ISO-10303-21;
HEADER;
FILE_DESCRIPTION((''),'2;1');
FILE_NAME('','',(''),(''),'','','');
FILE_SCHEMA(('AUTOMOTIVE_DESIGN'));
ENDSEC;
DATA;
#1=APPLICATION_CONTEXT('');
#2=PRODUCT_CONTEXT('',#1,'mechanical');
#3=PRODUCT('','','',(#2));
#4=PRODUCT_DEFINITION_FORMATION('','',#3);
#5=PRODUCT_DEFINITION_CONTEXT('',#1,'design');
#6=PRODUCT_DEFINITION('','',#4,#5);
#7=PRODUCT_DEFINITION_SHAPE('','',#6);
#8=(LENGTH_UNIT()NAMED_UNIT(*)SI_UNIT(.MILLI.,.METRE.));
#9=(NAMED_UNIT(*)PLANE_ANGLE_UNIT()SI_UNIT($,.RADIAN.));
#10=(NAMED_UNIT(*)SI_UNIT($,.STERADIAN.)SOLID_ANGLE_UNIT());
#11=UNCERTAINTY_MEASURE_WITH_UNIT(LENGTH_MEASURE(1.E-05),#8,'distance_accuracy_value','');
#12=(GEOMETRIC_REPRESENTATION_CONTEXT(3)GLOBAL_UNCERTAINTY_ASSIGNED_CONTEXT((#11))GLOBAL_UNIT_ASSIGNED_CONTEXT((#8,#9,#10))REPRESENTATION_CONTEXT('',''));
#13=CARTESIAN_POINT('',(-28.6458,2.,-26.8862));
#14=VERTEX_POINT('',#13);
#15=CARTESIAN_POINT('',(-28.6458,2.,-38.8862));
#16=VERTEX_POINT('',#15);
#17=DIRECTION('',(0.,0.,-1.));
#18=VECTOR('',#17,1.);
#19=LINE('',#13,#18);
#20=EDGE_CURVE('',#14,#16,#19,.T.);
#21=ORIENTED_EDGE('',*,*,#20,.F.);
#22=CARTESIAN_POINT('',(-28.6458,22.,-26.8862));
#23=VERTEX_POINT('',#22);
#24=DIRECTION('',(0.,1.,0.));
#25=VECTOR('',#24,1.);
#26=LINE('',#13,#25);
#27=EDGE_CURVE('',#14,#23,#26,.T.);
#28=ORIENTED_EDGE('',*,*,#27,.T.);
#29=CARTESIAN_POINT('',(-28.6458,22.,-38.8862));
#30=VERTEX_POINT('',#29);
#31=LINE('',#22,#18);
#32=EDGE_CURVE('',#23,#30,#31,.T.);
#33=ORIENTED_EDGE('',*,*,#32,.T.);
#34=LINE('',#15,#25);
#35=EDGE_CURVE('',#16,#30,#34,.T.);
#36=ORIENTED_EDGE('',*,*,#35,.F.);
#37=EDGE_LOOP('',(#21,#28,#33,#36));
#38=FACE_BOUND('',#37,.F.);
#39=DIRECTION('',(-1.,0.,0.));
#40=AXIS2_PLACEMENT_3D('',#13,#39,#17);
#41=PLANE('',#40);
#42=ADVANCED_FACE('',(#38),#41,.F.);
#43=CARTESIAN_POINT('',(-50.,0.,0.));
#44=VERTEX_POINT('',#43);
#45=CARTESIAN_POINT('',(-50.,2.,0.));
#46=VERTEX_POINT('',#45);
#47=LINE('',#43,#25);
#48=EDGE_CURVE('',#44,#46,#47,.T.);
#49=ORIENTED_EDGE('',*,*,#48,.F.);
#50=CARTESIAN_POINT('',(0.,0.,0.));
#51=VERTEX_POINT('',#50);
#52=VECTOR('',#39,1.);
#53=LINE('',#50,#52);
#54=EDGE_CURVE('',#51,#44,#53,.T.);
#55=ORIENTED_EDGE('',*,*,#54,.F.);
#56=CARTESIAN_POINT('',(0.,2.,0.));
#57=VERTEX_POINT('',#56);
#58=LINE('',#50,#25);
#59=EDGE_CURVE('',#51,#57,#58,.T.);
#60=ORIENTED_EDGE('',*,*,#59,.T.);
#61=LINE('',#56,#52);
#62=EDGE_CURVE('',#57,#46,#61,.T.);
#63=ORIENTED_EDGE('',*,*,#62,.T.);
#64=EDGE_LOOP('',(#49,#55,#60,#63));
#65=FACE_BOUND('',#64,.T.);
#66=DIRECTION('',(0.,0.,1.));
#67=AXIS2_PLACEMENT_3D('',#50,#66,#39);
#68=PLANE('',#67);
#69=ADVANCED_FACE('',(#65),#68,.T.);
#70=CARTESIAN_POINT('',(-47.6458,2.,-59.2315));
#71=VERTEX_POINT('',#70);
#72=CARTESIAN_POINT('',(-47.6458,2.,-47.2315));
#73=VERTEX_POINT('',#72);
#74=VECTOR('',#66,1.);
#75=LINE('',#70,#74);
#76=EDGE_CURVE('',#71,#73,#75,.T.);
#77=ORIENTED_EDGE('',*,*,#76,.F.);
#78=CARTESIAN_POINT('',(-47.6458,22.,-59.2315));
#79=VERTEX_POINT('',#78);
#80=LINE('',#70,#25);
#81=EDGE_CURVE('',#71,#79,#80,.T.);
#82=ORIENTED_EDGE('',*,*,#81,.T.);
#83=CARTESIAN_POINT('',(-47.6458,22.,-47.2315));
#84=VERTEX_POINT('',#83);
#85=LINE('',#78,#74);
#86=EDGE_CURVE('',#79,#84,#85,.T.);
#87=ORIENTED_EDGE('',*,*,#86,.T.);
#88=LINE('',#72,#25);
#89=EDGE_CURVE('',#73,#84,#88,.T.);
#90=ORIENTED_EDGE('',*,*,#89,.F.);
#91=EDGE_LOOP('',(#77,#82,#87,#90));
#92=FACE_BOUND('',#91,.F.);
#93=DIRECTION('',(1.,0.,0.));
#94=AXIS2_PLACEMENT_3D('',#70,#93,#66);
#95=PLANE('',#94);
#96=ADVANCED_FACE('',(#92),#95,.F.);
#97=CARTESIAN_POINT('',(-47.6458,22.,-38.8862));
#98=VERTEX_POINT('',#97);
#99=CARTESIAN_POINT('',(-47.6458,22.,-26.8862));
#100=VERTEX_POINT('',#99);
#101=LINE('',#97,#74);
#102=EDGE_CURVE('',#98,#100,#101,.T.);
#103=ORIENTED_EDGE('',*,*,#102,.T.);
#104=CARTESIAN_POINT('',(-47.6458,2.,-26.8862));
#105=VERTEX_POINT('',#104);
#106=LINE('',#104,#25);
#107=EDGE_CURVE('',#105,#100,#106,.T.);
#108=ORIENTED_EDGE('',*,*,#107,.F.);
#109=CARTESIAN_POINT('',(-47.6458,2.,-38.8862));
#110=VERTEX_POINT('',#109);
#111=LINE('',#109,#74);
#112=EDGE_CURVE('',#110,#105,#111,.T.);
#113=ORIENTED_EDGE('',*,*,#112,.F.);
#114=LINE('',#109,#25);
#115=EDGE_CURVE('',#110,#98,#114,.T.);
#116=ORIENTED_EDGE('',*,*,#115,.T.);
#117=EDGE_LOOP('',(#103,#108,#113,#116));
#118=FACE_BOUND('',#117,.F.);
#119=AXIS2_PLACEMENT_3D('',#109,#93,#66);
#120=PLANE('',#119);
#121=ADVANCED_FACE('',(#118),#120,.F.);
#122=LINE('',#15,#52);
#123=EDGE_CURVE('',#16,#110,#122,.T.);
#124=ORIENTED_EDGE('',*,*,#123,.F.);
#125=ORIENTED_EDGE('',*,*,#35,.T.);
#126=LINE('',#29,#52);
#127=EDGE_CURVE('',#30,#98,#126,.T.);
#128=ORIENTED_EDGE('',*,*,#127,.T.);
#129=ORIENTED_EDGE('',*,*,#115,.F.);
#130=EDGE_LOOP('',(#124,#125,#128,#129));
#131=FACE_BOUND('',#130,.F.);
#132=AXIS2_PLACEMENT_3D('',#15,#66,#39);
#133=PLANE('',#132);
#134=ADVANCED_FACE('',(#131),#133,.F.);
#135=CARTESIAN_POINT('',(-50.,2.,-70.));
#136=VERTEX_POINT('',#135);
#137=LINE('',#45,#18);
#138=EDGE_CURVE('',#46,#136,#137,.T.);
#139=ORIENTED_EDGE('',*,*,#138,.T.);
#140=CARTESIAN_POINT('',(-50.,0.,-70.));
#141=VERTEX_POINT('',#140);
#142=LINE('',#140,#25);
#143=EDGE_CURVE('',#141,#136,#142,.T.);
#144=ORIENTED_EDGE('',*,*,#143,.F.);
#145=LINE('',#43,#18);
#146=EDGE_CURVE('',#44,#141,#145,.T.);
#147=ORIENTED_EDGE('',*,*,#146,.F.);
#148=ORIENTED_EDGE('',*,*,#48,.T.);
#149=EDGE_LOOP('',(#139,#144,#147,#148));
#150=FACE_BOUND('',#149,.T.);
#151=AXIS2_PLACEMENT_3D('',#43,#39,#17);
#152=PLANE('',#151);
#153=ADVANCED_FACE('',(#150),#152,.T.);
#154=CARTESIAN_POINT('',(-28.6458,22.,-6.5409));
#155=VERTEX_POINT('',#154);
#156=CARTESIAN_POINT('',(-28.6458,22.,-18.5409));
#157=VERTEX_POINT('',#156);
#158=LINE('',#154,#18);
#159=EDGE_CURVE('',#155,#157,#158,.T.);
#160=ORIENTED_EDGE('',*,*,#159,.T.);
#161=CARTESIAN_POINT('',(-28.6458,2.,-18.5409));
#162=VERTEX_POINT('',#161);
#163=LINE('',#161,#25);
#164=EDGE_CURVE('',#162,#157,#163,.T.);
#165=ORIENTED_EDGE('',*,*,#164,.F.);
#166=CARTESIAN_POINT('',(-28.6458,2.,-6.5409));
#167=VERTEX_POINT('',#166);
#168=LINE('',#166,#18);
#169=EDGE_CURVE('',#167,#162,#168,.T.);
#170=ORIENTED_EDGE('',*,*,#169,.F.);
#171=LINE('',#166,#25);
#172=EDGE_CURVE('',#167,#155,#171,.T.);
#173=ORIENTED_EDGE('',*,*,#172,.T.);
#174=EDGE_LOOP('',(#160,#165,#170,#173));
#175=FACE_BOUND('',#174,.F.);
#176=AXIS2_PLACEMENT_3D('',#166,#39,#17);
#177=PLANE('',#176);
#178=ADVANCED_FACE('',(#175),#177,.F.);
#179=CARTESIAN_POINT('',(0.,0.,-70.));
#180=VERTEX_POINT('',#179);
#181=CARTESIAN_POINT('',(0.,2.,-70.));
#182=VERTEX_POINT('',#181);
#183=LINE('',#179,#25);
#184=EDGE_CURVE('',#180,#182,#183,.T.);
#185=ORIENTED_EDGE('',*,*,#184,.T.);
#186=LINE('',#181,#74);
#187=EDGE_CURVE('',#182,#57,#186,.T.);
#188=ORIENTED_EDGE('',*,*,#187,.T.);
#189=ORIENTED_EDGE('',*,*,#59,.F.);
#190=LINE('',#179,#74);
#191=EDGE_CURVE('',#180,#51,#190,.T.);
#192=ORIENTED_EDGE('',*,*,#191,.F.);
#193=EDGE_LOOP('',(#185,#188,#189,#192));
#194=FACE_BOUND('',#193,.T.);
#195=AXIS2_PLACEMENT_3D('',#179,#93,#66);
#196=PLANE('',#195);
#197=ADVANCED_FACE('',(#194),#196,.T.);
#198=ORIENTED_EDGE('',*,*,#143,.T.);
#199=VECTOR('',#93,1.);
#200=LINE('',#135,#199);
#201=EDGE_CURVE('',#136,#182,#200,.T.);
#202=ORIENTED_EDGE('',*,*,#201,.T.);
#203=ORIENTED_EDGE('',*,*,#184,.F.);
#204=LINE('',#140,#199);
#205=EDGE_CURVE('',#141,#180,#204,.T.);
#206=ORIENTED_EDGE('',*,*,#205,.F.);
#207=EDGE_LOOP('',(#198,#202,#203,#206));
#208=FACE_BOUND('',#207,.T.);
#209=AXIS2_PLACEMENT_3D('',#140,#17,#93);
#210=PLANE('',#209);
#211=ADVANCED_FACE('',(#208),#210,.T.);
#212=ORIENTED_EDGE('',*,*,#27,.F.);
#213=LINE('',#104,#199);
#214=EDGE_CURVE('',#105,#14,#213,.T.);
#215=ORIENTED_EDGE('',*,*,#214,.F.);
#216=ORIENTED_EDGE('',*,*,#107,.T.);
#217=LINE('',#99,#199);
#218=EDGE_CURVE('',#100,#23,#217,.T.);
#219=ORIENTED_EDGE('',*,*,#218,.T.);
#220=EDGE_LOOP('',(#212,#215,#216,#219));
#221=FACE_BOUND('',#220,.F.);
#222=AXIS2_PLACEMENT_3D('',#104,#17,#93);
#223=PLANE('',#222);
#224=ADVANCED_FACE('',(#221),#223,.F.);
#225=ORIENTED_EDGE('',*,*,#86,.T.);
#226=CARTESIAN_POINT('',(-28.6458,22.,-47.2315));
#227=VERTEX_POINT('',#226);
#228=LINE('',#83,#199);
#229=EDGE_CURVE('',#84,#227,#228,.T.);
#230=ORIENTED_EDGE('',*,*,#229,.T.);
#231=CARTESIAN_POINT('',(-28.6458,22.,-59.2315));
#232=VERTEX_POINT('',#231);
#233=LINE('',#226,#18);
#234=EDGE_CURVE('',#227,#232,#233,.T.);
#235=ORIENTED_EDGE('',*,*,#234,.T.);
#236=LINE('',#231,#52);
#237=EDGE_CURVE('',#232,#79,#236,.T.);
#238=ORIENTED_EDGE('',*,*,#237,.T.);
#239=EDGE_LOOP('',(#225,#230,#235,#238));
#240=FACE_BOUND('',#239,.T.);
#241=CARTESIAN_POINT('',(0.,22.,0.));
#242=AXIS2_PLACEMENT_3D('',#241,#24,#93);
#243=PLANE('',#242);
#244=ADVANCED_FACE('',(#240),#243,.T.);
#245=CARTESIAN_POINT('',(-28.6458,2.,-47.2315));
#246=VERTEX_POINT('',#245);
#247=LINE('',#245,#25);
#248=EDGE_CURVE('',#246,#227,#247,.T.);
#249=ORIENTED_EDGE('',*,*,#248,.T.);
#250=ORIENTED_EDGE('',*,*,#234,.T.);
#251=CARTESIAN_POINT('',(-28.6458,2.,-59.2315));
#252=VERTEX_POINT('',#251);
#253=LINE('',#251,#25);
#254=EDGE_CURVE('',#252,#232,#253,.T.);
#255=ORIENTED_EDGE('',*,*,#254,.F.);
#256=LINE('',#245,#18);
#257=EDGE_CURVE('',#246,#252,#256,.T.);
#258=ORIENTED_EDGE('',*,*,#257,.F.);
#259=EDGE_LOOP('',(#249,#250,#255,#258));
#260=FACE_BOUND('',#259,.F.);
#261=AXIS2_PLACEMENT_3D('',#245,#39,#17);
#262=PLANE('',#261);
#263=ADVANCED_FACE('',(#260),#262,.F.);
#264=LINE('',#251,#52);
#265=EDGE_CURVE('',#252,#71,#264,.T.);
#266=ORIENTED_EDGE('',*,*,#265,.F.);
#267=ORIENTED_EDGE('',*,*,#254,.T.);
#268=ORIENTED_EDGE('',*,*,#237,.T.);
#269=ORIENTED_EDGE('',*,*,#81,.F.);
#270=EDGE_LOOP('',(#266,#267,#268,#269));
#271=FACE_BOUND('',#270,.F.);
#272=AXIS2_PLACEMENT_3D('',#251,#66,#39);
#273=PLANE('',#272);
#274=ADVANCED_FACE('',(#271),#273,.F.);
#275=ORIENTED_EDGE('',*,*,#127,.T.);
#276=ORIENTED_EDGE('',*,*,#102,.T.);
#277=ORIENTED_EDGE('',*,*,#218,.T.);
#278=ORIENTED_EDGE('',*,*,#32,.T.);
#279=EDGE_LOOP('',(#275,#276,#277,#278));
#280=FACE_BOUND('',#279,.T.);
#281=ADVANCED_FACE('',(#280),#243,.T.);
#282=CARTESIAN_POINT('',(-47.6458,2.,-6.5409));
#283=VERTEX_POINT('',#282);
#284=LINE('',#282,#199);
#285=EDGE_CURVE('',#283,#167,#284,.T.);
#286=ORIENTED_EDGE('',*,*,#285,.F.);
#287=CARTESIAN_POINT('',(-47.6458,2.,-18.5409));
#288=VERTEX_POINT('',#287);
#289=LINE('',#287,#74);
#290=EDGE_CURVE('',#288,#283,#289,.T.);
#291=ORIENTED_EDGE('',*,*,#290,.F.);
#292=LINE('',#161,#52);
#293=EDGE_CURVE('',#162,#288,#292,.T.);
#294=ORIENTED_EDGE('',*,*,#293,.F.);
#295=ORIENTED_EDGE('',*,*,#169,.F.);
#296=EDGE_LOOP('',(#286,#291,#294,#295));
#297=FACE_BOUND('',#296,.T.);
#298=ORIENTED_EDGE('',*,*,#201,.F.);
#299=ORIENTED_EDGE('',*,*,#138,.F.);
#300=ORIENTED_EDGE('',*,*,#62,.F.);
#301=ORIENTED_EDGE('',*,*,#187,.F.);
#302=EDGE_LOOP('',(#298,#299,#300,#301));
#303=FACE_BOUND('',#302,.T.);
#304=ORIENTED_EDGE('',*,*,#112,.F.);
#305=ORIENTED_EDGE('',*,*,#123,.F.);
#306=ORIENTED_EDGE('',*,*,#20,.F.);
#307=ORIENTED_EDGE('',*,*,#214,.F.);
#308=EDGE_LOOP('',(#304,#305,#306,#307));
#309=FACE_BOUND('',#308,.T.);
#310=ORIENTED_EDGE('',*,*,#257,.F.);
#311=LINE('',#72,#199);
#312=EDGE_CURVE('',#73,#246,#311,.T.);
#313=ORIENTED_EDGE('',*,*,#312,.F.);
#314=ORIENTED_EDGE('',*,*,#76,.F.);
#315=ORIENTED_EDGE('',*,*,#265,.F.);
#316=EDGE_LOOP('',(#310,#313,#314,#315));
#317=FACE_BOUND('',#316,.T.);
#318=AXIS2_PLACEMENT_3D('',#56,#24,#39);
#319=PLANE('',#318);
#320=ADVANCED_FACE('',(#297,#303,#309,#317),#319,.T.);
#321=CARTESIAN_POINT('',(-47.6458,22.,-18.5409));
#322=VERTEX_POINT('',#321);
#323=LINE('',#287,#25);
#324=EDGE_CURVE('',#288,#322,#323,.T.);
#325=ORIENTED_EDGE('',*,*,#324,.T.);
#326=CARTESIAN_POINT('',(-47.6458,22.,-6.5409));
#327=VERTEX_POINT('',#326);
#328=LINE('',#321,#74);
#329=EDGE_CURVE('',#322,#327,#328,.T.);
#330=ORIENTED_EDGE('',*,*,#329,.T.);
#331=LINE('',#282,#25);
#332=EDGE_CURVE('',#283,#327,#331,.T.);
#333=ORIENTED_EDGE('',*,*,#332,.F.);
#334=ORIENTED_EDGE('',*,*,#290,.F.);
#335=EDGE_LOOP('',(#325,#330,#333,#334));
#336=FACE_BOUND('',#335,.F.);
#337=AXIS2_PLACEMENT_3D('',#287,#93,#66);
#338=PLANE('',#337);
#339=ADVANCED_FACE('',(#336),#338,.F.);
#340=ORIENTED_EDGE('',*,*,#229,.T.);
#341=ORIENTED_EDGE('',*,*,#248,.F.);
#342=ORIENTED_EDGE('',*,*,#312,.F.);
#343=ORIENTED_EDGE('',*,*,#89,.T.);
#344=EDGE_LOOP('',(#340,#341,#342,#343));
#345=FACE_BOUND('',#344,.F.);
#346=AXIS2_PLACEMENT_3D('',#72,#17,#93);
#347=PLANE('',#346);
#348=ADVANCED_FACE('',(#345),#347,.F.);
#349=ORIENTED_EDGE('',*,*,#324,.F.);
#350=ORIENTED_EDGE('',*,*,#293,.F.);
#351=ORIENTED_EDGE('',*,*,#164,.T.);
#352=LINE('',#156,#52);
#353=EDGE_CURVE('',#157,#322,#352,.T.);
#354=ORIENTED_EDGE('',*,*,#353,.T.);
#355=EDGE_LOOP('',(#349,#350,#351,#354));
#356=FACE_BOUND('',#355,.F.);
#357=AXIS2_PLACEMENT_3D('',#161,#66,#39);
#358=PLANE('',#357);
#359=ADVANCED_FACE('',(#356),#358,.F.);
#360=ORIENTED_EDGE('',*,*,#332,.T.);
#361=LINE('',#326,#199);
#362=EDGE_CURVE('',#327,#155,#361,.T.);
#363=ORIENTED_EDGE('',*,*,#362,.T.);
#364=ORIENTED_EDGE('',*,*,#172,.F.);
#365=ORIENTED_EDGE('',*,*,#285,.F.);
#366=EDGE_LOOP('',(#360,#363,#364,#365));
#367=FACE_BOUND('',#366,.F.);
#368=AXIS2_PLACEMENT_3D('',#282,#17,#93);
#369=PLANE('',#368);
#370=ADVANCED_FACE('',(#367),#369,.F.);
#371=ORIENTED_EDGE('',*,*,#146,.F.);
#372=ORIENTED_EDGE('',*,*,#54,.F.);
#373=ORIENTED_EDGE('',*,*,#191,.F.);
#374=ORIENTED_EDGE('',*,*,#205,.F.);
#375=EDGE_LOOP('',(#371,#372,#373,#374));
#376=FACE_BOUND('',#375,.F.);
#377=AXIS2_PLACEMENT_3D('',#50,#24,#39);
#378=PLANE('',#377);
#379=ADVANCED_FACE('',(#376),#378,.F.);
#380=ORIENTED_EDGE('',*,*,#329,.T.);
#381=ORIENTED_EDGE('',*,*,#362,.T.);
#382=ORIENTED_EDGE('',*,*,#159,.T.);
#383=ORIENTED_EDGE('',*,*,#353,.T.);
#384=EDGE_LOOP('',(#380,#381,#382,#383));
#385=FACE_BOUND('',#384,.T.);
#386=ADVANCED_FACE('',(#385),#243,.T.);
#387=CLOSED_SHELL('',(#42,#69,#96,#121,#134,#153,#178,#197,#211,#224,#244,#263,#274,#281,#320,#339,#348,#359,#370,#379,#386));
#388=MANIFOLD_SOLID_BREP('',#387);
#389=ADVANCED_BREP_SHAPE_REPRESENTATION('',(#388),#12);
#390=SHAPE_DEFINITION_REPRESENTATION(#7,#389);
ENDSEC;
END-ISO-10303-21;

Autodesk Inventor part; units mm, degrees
ref_plane "YZ Plane" through (0, 0, 0) normal (1, 0, 0) x (0, 1, 0)
ref_plane "XZ Plane" through (0, 0, 0) normal (0, 1, 0) x (-1, 0, 0)
ref_plane "XY Plane" through (0, 0, 0) normal (0, 0, 1) x (1, 0, 0)
sketch "Sketch1" plane through (0, 0, 0) normal (0, 1, 0) x (-1, 0, 0)
  line L0 (0, 0) -> (50, 0)
  line L1 (50, 0) -> (50, -70)
  line L2 (50, -70) -> (0, -70)
  line L3 (0, -70) -> (0, 0)
  dimension "d0" = 50
  dimension "d1" = 70
extrude "Extrusion1" add sketch "Sketch1" along normal blind 2
sketch "Sketch2" plane through (0, 2, 0) normal (0, 1, 0) x (1, 0, 0)
  line L0 (-47.6458, 6.5409) -> (-28.6458, 6.5409)
  line L1 (-28.6458, 6.5409) -> (-28.6458, 18.5409)
  line L2 (-28.6458, 18.5409) -> (-47.6458, 18.5409)
  line L3 (-47.6458, 18.5409) -> (-47.6458, 6.5409)
  line L4 (-47.6458, 26.8862) -> (-28.6458, 26.8862)
  line L5 (-28.6458, 26.8862) -> (-28.6458, 38.8862)
  line L6 (-28.6458, 38.8862) -> (-47.6458, 38.8862)
  line L7 (-47.6458, 38.8862) -> (-47.6458, 26.8862)
  line L8 (-47.6458, 47.2315) -> (-28.6458, 47.2315)
  line L9 (-28.6458, 47.2315) -> (-28.6458, 59.2315)
  line L10 (-28.6458, 59.2315) -> (-47.6458, 59.2315)
  line L11 (-47.6458, 59.2315) -> (-47.6458, 47.2315)
  point P0 (0, 0)
  dimension "d4" = 19
  dimension "d5" = 12
  dimension "d6" = 19
  dimension "d7" = 12
  dimension "d8" = 19
  dimension "d9" = 12
extrude "Extrusion2" add sketch "Sketch2" along normal blind 20
properties part number "temp_pcb"
